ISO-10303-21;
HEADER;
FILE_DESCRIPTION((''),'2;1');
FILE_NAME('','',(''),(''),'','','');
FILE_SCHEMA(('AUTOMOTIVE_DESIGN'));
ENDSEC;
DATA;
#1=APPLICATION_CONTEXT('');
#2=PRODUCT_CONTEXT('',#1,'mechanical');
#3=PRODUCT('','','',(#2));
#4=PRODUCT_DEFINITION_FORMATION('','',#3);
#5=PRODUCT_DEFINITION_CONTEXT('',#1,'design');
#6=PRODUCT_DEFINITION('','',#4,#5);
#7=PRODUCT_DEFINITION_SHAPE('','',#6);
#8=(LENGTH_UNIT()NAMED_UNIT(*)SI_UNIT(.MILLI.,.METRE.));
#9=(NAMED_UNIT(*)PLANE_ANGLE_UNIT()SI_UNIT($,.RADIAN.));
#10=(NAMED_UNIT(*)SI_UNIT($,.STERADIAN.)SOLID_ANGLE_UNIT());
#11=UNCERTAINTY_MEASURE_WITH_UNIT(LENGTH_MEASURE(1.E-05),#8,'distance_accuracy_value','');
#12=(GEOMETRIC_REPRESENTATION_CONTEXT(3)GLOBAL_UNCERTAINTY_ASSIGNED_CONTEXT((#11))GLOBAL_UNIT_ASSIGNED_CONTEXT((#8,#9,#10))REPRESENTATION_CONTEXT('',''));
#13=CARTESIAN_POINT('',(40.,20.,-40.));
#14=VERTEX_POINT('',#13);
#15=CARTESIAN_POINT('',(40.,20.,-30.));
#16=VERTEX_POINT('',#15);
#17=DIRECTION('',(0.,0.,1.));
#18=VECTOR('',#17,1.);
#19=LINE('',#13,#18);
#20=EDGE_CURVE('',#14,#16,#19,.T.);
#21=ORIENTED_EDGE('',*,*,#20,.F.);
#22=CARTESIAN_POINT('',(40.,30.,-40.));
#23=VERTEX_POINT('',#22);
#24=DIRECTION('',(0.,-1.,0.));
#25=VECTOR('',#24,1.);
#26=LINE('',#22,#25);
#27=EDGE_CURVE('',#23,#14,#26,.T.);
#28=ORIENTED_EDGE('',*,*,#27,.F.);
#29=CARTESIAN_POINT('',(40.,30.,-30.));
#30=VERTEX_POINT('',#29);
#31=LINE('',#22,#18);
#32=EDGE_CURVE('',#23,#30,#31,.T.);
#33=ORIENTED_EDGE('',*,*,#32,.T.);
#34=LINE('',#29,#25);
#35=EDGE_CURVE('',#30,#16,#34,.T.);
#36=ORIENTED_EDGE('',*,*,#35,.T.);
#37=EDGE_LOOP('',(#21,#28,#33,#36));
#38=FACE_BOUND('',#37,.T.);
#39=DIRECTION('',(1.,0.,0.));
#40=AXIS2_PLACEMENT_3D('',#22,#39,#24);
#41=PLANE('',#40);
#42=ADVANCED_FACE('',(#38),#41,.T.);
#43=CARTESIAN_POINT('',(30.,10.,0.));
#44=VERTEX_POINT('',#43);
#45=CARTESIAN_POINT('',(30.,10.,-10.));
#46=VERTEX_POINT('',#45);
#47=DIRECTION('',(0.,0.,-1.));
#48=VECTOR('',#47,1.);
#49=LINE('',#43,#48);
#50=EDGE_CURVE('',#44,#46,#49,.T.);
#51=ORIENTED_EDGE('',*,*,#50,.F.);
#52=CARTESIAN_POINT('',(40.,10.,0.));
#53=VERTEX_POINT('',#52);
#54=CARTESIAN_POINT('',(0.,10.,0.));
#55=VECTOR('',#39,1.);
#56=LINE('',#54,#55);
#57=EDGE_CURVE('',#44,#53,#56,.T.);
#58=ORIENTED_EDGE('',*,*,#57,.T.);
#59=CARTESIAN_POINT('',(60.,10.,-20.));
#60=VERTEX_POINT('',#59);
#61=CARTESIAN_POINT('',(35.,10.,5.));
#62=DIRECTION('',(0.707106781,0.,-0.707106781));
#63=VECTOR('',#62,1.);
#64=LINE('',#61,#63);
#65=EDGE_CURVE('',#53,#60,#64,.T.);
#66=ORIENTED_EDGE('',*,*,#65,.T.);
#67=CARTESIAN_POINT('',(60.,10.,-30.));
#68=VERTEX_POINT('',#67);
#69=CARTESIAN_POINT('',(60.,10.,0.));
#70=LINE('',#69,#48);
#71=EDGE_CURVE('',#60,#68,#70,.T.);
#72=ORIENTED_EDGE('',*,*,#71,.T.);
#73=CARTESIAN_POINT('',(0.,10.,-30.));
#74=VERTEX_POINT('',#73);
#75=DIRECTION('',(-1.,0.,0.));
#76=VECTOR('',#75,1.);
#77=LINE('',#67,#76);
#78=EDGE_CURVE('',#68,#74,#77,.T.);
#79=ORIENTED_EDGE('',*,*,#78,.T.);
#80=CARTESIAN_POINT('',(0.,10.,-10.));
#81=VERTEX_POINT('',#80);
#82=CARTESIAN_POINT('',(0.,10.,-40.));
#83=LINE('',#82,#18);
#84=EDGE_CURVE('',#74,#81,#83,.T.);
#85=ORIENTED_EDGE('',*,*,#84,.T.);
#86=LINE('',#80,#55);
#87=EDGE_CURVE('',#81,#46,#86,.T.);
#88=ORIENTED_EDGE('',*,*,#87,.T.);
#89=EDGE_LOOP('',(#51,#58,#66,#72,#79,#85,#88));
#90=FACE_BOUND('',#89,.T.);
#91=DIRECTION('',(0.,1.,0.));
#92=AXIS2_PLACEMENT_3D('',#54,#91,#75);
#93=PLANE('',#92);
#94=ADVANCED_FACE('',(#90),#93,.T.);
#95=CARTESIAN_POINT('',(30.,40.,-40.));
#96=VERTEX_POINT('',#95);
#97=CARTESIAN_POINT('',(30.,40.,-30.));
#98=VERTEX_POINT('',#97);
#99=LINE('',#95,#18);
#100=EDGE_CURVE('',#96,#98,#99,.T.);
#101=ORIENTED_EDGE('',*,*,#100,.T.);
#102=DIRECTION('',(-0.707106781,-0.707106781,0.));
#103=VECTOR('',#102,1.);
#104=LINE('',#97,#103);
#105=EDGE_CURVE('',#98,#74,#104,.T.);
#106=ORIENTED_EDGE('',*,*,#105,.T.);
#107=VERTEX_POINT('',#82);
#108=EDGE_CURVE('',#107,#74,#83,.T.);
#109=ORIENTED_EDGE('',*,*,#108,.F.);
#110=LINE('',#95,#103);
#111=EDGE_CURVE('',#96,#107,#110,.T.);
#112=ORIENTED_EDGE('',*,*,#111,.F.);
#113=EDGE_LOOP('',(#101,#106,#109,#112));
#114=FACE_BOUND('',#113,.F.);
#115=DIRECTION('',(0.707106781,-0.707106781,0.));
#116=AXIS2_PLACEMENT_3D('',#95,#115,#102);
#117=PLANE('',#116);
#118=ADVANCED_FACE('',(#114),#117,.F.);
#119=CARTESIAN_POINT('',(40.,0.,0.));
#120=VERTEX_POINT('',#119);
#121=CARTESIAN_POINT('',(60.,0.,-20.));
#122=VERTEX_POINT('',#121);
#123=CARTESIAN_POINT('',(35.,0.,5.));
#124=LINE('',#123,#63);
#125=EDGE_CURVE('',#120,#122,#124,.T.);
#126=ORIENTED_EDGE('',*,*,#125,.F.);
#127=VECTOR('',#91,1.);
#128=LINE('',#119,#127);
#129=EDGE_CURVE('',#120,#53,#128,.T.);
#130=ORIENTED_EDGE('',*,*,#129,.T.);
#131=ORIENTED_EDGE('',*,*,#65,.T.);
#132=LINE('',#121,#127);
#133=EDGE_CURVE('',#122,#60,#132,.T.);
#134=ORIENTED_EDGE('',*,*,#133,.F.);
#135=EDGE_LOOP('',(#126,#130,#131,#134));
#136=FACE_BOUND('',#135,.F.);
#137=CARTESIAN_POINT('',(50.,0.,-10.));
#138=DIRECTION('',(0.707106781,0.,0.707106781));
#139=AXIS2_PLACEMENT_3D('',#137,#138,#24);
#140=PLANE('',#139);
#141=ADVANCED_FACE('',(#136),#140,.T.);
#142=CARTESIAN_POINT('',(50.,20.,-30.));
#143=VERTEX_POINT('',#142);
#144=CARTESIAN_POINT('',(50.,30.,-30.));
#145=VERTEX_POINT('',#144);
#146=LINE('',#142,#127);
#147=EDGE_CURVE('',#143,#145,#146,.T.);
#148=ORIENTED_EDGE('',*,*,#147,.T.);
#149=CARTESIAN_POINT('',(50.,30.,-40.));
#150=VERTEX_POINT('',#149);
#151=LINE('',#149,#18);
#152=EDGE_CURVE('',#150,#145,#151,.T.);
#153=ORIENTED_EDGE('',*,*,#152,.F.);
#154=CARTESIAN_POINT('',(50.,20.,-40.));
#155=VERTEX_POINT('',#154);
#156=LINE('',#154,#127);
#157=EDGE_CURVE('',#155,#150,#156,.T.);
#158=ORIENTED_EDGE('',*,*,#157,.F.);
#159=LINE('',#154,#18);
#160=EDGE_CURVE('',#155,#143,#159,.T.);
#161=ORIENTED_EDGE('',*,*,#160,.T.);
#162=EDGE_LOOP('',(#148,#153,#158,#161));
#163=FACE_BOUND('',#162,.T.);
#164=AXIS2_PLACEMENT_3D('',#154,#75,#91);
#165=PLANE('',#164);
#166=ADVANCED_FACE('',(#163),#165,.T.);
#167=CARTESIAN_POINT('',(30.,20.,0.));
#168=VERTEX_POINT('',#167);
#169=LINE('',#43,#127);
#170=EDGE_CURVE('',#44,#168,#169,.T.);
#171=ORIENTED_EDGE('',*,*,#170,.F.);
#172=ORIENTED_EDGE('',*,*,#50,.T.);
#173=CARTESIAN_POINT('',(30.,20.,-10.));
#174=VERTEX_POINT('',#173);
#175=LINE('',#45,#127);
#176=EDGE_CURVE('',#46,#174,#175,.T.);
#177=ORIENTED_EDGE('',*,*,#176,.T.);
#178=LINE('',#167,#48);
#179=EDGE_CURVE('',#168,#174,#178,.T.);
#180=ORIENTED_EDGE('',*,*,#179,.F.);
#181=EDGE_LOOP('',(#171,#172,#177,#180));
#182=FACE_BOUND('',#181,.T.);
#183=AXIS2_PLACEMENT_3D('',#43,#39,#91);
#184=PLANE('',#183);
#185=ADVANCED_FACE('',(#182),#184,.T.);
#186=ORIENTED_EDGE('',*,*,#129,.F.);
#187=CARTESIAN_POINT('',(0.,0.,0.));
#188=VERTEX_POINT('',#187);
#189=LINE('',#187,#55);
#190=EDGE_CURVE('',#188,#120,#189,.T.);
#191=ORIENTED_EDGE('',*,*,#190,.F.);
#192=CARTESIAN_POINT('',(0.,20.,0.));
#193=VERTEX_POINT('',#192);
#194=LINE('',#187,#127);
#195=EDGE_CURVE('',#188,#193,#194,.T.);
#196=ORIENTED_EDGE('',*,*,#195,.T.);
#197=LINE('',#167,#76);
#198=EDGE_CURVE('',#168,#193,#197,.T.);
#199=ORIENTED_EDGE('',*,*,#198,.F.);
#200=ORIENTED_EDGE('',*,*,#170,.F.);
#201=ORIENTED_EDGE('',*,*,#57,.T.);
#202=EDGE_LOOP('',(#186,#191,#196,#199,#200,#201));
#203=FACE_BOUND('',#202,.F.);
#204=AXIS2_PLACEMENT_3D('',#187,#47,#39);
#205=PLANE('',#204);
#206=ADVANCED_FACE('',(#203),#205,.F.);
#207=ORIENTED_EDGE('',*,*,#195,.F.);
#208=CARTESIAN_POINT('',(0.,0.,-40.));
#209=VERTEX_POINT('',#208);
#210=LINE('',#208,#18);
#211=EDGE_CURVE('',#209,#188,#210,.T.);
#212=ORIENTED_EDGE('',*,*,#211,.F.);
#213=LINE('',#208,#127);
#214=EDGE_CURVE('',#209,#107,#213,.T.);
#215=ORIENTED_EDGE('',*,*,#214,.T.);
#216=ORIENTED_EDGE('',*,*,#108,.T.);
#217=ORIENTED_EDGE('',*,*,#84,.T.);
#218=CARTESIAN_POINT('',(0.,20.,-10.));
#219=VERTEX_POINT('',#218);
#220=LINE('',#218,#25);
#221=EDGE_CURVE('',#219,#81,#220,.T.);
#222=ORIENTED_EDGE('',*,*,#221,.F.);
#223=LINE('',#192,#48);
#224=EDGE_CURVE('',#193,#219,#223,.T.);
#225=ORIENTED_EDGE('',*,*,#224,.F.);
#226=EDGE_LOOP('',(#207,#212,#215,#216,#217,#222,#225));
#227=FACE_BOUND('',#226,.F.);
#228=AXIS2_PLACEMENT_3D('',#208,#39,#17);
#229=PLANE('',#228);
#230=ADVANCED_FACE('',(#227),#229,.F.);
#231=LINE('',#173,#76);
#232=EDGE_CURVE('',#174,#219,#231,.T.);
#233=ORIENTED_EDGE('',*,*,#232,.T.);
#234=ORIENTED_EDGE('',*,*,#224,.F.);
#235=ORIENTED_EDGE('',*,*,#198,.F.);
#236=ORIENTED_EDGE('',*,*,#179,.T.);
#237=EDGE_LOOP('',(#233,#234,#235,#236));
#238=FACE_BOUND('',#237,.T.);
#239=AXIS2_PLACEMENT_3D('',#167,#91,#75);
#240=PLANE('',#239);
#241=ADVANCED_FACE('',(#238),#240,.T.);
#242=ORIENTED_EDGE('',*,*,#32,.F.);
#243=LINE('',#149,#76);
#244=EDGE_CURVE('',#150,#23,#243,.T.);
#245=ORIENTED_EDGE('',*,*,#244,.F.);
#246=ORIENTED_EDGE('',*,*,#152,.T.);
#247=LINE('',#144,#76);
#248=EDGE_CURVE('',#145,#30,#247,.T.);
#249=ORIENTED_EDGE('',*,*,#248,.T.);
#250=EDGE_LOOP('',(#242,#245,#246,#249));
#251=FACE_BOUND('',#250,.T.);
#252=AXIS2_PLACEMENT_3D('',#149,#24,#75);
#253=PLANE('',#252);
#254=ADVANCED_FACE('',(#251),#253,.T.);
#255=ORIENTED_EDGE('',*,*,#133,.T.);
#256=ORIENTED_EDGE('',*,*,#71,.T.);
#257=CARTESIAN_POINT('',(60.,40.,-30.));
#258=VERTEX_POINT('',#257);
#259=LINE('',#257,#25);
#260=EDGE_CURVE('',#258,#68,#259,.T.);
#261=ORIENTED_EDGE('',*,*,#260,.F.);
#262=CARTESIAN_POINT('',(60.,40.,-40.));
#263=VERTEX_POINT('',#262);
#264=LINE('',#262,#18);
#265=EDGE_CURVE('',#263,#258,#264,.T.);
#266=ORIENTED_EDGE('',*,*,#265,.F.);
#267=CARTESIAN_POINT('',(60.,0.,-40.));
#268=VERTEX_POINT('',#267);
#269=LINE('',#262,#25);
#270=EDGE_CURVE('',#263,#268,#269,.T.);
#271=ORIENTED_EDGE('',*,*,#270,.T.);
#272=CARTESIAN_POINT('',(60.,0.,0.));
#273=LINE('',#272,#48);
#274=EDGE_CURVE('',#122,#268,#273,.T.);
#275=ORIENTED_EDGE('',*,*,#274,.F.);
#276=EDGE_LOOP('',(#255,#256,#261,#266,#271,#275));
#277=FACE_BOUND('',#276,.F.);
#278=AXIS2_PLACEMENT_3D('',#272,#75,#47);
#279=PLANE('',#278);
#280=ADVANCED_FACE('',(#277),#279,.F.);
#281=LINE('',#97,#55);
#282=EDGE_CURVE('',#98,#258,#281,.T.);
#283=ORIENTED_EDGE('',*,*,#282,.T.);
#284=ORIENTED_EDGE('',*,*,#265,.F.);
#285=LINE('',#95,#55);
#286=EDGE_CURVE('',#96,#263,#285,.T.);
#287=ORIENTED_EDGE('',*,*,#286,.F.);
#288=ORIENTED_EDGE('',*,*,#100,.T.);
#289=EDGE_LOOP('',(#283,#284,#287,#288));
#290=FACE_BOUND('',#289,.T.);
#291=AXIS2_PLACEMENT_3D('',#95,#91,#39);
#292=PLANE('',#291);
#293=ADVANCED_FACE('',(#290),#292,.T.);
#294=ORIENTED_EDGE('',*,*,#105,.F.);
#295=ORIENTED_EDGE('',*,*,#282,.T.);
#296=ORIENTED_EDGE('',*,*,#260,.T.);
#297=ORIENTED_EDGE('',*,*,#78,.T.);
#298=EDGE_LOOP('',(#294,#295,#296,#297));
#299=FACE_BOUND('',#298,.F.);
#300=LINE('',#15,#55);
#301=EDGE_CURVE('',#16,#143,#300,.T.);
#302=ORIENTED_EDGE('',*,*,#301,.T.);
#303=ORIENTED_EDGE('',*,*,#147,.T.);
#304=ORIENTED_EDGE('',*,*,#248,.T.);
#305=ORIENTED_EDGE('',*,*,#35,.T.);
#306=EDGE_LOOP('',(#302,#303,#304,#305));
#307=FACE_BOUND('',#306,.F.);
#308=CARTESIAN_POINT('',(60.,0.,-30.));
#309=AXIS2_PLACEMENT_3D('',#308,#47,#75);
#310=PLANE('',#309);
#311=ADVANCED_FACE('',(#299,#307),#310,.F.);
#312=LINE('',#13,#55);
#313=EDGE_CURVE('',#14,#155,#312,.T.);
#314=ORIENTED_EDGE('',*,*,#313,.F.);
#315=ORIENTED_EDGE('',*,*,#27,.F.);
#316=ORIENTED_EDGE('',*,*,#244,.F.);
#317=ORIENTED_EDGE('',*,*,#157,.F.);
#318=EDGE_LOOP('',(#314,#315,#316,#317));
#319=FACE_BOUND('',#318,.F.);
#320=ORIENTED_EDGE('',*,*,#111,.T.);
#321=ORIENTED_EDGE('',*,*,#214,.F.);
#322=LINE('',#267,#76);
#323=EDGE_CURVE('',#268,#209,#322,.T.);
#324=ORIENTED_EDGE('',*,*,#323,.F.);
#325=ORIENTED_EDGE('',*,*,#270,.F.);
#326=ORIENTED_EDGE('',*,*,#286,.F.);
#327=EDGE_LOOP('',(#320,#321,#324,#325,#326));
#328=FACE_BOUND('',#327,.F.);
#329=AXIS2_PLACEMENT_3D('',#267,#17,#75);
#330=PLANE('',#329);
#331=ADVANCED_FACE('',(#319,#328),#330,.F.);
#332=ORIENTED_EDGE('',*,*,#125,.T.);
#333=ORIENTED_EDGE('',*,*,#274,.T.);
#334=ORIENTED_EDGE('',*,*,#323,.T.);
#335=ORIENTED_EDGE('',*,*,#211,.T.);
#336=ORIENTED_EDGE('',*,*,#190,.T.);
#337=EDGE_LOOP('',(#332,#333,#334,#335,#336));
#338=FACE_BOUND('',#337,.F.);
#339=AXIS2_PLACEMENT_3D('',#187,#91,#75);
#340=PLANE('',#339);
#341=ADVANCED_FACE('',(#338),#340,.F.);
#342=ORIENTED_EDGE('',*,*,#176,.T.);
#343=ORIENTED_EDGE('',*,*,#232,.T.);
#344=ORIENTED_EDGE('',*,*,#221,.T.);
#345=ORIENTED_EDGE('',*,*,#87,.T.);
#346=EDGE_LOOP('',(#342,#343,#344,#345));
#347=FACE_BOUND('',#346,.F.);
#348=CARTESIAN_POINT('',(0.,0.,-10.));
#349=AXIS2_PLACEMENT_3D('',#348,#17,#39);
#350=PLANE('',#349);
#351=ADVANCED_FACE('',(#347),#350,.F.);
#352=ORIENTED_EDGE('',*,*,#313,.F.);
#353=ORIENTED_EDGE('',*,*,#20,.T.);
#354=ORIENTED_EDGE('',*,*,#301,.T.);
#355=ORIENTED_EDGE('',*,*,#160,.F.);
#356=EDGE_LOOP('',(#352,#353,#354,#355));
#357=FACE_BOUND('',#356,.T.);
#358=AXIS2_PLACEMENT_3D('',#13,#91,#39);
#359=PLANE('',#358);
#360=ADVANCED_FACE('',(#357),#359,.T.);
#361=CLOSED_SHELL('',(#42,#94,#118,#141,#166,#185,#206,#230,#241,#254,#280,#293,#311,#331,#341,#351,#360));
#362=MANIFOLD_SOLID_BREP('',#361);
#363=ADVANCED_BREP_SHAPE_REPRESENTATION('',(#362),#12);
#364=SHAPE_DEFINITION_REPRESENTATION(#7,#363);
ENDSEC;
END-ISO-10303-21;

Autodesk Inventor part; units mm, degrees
ref_plane "YZ Plane" through (0, 0, 0) normal (1, 0, 0) x (0, 1, 0)
ref_plane "XZ Plane" through (0, 0, 0) normal (0, 1, 0) x (-1, 0, 0)
ref_plane "XY Plane" through (0, 0, 0) normal (0, 0, 1) x (1, 0, 0)
sketch "草圖1" plane through (0, 0, 0) normal (0, 1, 0) x (-1, 0, 0)
  line L0 (0, 0) -> (-60, 0)
  line L1 (-60, 0) -> (-60, -40)
  line L2 (-60, -40) -> (0, -40)
  line L3 (0, -40) -> (0, 0)
  dimension "d0" = 40
  dimension "d1" = 60
extrude "擠出1" add sketch "草圖1" along normal blind 10
sketch "草圖2" plane through (0, 0, 0) normal (0, 0, 1) x (1, 0, 0)
  line L0 (0, 10) -> (60, 10) projected
  line L1 (0, 10) -> (30, 10)
  line L2 (30, 10) -> (30, 20)
  line L3 (30, 20) -> (0, 20)
  line L4 (0, 20) -> (0, 10)
  point P0 (0, 0)
  dimension "d4" = 30
  dimension "d5" = 10
extrude "擠出2" add sketch "草圖2" against normal blind 10
sketch "草圖3" plane through (60, 0, -40) normal (0, 0, -1) x (-1, 0, 0)
  line L0 (0, 10) -> (60, 10) projected
  line L1 (0, 10) -> (30, 10)
  line L2 (30, 10) -> (30, 40)
  line L3 (30, 40) -> (0, 40)
  line L4 (0, 40) -> (0, 10)
  line L5 (60, 0) -> (60, 10) projected
  line L6 (30, 40) -> (60, 10)
  line L7 (10, 30) -> (20, 30)
  line L8 (20, 30) -> (20, 20)
  line L9 (20, 20) -> (10, 20)
  line L10 (10, 20) -> (10, 30)
  dimension "d8" = 30
  dimension "d9" = 30
  dimension "d10" = 10
extrude "擠出3" add sketch "草圖3" against normal blind 10
chamfer "倒角1" distance 20 angle 45 1 edges at (60, 5, 0)
properties part number "12"
